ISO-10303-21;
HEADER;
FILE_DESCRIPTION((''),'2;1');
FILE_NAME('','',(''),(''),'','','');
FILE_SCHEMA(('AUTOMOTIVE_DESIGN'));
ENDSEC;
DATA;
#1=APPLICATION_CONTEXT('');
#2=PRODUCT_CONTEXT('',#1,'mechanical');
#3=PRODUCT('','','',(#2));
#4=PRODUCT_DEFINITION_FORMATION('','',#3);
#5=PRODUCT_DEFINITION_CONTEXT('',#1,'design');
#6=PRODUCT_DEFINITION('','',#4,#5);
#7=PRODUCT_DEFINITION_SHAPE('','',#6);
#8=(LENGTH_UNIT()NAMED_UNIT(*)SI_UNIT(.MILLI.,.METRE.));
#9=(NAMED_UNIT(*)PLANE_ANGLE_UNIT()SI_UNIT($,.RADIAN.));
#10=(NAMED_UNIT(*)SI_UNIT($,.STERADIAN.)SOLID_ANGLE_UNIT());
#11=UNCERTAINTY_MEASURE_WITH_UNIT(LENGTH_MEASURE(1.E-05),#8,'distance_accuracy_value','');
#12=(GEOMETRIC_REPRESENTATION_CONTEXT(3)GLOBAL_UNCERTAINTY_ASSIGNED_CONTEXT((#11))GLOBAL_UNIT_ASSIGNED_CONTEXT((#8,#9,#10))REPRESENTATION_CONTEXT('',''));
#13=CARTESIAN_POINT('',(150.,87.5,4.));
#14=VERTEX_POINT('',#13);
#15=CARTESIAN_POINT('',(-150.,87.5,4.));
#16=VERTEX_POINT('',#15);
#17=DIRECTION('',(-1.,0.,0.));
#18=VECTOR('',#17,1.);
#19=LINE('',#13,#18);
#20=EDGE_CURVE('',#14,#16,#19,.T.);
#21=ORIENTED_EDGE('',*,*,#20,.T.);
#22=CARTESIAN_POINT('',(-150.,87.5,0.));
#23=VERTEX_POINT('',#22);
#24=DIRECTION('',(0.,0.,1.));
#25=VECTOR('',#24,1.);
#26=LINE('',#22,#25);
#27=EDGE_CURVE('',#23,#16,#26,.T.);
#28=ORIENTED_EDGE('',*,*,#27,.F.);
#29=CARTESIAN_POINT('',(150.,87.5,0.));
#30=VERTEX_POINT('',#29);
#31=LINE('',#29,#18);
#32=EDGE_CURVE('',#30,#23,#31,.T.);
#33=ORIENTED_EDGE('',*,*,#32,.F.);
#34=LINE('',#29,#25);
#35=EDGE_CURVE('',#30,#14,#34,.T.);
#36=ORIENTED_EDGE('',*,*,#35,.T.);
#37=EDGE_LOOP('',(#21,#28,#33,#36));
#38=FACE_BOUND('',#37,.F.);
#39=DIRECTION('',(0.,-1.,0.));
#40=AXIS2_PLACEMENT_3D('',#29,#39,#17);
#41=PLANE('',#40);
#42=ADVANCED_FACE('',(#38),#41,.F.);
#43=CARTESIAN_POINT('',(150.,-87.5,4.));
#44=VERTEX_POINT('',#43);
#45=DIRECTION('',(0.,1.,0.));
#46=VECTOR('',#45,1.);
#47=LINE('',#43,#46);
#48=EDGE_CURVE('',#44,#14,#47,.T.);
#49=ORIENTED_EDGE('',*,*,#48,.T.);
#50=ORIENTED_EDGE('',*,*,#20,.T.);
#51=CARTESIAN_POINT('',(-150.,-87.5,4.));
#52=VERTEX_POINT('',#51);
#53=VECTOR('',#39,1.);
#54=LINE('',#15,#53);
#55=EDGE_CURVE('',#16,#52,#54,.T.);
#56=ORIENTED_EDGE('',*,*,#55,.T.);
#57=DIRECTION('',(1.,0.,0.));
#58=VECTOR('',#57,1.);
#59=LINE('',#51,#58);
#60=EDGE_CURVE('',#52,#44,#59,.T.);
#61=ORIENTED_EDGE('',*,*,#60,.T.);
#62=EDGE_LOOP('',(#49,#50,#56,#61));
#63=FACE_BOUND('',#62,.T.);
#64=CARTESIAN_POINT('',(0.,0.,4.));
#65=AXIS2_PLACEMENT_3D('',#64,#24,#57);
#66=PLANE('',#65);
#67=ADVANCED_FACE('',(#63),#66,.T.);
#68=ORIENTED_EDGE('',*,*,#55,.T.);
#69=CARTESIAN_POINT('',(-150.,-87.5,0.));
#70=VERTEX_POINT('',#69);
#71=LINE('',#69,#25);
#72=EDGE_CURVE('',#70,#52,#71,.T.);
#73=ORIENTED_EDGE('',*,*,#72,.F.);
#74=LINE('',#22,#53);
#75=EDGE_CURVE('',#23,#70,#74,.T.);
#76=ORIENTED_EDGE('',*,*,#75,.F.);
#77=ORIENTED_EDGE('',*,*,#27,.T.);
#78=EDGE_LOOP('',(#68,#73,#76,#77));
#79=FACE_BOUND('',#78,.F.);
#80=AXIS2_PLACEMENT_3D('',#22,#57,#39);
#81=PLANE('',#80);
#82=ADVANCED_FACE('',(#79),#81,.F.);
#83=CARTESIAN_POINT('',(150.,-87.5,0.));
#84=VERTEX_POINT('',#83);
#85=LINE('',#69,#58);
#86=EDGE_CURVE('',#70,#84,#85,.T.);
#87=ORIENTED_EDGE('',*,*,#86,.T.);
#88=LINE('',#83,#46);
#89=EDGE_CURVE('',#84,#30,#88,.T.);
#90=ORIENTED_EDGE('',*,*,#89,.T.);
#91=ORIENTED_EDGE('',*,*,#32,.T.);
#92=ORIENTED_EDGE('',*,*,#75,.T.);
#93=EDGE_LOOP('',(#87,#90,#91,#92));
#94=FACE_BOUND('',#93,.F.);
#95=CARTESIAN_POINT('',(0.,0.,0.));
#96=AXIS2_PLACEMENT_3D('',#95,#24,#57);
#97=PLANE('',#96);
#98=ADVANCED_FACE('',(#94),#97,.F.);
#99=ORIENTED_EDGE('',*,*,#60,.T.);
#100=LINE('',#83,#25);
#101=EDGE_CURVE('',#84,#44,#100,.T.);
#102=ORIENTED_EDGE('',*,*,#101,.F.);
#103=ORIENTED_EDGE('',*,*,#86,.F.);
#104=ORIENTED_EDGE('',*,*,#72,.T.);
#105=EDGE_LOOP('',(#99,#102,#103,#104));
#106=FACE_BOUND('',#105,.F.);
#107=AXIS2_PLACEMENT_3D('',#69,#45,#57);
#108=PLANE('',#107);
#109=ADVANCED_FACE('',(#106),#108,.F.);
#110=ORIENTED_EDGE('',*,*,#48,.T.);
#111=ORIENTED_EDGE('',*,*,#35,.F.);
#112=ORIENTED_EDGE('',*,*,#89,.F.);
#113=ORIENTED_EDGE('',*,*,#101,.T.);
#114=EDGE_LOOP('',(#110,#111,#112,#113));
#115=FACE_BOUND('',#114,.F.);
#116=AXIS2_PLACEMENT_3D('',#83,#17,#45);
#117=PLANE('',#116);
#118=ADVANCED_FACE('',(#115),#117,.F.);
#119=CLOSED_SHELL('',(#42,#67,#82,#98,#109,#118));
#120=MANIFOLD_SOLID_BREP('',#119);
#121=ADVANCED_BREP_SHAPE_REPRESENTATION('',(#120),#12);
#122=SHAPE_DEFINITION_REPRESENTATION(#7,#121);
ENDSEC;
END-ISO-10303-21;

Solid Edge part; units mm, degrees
sketch "Sketch1" plane through (0, 0, 0) normal (0, 0, 1) x (1, 0, 0)
  line L0 (150, -87.5) -> (150, 87.5)
  line L1 (150, 87.5) -> (-150, 87.5)
  line L2 (-150, 87.5) -> (-150, -87.5)
  line L3 (-150, -87.5) -> (150, -87.5)
extrude "Protrusion1" add sketch "Sketch1" along normal blind 4
